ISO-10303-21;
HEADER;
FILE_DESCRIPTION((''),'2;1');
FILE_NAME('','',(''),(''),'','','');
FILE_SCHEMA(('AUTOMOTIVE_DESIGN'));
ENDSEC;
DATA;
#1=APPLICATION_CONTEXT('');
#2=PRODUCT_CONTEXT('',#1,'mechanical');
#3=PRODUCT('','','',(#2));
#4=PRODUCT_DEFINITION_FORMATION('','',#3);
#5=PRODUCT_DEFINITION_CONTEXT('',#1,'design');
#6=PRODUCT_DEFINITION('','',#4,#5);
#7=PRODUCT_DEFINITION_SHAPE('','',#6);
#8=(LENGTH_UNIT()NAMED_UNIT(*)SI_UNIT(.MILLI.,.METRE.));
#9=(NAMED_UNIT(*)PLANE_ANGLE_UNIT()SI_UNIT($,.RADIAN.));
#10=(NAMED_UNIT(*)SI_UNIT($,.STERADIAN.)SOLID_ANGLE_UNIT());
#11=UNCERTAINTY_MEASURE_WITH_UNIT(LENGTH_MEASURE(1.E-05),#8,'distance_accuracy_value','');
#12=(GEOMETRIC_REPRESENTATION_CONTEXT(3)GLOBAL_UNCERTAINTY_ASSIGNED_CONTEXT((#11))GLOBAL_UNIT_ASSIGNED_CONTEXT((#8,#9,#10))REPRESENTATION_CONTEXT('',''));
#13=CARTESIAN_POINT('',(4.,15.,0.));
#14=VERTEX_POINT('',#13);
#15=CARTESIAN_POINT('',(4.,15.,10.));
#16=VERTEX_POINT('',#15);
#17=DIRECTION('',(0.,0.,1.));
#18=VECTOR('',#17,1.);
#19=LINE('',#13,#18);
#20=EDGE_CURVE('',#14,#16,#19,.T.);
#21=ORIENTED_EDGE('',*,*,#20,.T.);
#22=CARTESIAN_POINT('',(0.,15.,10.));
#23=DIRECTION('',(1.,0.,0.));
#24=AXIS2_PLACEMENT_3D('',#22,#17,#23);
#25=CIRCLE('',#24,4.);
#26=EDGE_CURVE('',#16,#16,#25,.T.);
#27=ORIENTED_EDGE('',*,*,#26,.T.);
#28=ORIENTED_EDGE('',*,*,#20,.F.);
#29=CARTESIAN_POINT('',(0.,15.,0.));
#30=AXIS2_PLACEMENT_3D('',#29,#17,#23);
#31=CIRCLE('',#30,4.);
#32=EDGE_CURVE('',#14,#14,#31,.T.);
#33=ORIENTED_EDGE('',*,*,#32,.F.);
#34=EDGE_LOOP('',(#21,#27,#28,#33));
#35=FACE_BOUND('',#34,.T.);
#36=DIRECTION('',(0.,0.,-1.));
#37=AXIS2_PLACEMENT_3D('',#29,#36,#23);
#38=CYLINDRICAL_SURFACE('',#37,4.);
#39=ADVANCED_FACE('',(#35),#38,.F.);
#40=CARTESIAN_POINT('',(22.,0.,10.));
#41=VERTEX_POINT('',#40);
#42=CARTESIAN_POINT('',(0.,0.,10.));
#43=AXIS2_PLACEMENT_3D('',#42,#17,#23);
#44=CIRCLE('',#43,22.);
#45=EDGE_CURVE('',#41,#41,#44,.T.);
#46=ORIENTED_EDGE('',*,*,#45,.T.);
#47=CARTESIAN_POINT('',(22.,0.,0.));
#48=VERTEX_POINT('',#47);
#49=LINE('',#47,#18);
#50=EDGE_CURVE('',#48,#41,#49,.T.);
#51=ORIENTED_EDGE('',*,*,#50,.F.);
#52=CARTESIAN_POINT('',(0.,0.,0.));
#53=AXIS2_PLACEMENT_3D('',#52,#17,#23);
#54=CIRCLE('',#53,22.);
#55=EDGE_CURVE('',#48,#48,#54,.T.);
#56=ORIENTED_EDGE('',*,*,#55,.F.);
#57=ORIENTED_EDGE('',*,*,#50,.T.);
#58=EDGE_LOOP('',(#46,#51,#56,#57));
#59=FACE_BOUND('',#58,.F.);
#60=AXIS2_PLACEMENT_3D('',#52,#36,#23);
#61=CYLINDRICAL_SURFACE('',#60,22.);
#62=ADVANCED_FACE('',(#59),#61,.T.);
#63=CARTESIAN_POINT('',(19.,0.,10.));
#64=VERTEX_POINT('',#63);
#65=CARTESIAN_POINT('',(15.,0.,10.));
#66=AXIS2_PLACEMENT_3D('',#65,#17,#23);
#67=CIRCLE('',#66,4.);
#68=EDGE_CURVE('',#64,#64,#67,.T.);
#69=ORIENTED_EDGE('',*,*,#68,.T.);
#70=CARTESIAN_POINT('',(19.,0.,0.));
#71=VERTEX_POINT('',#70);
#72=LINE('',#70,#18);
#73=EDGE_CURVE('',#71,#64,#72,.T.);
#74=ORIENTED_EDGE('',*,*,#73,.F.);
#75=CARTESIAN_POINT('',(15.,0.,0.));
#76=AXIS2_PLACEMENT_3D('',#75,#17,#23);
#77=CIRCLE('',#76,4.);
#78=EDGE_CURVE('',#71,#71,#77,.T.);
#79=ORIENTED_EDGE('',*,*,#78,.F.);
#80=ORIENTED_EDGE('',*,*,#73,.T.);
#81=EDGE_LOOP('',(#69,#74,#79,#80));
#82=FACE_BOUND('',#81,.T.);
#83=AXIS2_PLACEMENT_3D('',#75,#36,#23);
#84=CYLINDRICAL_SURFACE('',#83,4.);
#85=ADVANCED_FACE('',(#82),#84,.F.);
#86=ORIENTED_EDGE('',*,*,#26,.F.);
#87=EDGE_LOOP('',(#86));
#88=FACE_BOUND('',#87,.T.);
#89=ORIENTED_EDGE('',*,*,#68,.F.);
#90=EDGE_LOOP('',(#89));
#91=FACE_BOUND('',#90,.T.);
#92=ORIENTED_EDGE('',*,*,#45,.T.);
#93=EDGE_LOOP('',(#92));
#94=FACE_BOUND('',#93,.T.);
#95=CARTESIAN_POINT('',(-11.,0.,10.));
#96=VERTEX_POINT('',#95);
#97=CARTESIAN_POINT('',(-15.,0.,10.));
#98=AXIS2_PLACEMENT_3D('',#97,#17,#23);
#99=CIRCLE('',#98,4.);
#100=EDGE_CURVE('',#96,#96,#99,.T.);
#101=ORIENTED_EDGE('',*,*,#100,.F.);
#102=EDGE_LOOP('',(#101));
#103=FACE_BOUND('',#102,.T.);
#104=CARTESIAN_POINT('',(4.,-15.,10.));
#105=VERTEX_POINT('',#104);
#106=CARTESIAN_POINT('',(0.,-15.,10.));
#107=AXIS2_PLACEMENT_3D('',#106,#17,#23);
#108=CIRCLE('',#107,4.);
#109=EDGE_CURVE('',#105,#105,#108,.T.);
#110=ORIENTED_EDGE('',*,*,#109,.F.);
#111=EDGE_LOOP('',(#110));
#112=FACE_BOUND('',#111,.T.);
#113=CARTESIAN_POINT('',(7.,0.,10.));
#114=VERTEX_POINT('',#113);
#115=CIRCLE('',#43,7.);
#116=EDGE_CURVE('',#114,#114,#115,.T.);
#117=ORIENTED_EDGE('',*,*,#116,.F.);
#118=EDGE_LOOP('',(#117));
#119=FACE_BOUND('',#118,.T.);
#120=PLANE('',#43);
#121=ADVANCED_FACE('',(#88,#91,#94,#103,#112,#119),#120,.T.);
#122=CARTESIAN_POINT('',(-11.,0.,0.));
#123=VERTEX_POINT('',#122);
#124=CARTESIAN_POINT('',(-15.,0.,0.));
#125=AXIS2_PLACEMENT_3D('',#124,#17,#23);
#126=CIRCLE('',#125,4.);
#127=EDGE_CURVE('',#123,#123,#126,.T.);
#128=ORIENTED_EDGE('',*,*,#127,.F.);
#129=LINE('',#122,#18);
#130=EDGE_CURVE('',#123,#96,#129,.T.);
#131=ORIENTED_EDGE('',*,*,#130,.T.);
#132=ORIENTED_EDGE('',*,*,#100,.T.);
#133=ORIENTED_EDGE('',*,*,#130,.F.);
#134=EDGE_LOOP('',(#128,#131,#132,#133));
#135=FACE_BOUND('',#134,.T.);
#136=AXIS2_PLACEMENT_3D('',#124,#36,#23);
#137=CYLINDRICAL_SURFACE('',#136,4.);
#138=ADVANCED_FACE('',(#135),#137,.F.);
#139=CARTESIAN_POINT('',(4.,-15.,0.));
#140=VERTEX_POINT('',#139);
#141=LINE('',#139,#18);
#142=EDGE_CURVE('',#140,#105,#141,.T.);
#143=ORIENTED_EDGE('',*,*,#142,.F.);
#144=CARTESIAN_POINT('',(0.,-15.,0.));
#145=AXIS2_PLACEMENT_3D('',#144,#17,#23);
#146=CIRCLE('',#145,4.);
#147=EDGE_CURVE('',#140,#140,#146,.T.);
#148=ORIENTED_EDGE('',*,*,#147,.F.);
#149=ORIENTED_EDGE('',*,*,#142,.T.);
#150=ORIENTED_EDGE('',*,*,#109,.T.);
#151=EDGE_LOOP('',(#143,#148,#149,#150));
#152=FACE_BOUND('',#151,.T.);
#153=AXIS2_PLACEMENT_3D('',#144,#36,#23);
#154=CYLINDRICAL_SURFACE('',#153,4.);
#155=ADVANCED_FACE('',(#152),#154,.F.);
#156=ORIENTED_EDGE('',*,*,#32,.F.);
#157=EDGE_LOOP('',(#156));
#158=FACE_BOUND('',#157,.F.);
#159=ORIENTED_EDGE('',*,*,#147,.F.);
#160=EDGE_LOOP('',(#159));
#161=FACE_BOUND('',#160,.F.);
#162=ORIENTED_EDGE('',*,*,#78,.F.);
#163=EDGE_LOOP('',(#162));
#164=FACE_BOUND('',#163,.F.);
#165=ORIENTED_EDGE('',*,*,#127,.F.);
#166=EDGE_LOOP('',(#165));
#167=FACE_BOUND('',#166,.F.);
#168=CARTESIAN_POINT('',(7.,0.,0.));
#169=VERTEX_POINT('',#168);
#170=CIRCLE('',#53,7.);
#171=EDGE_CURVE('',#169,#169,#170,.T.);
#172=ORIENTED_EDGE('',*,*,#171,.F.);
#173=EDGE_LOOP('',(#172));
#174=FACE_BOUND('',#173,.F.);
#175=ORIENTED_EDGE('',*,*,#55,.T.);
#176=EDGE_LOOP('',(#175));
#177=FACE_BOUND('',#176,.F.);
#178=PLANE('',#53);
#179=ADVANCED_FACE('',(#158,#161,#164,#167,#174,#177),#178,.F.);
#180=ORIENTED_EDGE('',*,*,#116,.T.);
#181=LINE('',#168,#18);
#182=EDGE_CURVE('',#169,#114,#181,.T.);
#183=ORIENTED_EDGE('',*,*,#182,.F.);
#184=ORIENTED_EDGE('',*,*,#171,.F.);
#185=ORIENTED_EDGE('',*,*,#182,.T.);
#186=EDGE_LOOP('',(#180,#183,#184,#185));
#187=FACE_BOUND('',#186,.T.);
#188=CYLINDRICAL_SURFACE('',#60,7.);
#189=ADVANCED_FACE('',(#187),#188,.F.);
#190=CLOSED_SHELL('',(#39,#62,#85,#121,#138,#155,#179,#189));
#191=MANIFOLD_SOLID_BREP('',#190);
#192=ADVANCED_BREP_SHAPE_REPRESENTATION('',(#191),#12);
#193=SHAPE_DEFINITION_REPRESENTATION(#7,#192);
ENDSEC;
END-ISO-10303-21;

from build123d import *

# Parameters (mm, degrees)
SKETCH_R   = 22
SKETCH_R_2 = 4
SKETCH_R_3 = 7
PAD_DEPTH  = 10


with BuildPart() as part:
    # Sketch → Pad (new body)
    with BuildSketch(Plane.XY):
        Circle(SKETCH_R)
        with Locations((0, 15)):
            Circle(SKETCH_R_2, mode=Mode.SUBTRACT)
        with Locations((-15, 0)):
            Circle(SKETCH_R_2, mode=Mode.SUBTRACT)
        with Locations((15, 0)):
            Circle(SKETCH_R_2, mode=Mode.SUBTRACT)
        with Locations((0, -15)):
            Circle(SKETCH_R_2, mode=Mode.SUBTRACT)
        Circle(SKETCH_R_3, mode=Mode.SUBTRACT)
    extrude(amount=PAD_DEPTH)


solid = part.part
